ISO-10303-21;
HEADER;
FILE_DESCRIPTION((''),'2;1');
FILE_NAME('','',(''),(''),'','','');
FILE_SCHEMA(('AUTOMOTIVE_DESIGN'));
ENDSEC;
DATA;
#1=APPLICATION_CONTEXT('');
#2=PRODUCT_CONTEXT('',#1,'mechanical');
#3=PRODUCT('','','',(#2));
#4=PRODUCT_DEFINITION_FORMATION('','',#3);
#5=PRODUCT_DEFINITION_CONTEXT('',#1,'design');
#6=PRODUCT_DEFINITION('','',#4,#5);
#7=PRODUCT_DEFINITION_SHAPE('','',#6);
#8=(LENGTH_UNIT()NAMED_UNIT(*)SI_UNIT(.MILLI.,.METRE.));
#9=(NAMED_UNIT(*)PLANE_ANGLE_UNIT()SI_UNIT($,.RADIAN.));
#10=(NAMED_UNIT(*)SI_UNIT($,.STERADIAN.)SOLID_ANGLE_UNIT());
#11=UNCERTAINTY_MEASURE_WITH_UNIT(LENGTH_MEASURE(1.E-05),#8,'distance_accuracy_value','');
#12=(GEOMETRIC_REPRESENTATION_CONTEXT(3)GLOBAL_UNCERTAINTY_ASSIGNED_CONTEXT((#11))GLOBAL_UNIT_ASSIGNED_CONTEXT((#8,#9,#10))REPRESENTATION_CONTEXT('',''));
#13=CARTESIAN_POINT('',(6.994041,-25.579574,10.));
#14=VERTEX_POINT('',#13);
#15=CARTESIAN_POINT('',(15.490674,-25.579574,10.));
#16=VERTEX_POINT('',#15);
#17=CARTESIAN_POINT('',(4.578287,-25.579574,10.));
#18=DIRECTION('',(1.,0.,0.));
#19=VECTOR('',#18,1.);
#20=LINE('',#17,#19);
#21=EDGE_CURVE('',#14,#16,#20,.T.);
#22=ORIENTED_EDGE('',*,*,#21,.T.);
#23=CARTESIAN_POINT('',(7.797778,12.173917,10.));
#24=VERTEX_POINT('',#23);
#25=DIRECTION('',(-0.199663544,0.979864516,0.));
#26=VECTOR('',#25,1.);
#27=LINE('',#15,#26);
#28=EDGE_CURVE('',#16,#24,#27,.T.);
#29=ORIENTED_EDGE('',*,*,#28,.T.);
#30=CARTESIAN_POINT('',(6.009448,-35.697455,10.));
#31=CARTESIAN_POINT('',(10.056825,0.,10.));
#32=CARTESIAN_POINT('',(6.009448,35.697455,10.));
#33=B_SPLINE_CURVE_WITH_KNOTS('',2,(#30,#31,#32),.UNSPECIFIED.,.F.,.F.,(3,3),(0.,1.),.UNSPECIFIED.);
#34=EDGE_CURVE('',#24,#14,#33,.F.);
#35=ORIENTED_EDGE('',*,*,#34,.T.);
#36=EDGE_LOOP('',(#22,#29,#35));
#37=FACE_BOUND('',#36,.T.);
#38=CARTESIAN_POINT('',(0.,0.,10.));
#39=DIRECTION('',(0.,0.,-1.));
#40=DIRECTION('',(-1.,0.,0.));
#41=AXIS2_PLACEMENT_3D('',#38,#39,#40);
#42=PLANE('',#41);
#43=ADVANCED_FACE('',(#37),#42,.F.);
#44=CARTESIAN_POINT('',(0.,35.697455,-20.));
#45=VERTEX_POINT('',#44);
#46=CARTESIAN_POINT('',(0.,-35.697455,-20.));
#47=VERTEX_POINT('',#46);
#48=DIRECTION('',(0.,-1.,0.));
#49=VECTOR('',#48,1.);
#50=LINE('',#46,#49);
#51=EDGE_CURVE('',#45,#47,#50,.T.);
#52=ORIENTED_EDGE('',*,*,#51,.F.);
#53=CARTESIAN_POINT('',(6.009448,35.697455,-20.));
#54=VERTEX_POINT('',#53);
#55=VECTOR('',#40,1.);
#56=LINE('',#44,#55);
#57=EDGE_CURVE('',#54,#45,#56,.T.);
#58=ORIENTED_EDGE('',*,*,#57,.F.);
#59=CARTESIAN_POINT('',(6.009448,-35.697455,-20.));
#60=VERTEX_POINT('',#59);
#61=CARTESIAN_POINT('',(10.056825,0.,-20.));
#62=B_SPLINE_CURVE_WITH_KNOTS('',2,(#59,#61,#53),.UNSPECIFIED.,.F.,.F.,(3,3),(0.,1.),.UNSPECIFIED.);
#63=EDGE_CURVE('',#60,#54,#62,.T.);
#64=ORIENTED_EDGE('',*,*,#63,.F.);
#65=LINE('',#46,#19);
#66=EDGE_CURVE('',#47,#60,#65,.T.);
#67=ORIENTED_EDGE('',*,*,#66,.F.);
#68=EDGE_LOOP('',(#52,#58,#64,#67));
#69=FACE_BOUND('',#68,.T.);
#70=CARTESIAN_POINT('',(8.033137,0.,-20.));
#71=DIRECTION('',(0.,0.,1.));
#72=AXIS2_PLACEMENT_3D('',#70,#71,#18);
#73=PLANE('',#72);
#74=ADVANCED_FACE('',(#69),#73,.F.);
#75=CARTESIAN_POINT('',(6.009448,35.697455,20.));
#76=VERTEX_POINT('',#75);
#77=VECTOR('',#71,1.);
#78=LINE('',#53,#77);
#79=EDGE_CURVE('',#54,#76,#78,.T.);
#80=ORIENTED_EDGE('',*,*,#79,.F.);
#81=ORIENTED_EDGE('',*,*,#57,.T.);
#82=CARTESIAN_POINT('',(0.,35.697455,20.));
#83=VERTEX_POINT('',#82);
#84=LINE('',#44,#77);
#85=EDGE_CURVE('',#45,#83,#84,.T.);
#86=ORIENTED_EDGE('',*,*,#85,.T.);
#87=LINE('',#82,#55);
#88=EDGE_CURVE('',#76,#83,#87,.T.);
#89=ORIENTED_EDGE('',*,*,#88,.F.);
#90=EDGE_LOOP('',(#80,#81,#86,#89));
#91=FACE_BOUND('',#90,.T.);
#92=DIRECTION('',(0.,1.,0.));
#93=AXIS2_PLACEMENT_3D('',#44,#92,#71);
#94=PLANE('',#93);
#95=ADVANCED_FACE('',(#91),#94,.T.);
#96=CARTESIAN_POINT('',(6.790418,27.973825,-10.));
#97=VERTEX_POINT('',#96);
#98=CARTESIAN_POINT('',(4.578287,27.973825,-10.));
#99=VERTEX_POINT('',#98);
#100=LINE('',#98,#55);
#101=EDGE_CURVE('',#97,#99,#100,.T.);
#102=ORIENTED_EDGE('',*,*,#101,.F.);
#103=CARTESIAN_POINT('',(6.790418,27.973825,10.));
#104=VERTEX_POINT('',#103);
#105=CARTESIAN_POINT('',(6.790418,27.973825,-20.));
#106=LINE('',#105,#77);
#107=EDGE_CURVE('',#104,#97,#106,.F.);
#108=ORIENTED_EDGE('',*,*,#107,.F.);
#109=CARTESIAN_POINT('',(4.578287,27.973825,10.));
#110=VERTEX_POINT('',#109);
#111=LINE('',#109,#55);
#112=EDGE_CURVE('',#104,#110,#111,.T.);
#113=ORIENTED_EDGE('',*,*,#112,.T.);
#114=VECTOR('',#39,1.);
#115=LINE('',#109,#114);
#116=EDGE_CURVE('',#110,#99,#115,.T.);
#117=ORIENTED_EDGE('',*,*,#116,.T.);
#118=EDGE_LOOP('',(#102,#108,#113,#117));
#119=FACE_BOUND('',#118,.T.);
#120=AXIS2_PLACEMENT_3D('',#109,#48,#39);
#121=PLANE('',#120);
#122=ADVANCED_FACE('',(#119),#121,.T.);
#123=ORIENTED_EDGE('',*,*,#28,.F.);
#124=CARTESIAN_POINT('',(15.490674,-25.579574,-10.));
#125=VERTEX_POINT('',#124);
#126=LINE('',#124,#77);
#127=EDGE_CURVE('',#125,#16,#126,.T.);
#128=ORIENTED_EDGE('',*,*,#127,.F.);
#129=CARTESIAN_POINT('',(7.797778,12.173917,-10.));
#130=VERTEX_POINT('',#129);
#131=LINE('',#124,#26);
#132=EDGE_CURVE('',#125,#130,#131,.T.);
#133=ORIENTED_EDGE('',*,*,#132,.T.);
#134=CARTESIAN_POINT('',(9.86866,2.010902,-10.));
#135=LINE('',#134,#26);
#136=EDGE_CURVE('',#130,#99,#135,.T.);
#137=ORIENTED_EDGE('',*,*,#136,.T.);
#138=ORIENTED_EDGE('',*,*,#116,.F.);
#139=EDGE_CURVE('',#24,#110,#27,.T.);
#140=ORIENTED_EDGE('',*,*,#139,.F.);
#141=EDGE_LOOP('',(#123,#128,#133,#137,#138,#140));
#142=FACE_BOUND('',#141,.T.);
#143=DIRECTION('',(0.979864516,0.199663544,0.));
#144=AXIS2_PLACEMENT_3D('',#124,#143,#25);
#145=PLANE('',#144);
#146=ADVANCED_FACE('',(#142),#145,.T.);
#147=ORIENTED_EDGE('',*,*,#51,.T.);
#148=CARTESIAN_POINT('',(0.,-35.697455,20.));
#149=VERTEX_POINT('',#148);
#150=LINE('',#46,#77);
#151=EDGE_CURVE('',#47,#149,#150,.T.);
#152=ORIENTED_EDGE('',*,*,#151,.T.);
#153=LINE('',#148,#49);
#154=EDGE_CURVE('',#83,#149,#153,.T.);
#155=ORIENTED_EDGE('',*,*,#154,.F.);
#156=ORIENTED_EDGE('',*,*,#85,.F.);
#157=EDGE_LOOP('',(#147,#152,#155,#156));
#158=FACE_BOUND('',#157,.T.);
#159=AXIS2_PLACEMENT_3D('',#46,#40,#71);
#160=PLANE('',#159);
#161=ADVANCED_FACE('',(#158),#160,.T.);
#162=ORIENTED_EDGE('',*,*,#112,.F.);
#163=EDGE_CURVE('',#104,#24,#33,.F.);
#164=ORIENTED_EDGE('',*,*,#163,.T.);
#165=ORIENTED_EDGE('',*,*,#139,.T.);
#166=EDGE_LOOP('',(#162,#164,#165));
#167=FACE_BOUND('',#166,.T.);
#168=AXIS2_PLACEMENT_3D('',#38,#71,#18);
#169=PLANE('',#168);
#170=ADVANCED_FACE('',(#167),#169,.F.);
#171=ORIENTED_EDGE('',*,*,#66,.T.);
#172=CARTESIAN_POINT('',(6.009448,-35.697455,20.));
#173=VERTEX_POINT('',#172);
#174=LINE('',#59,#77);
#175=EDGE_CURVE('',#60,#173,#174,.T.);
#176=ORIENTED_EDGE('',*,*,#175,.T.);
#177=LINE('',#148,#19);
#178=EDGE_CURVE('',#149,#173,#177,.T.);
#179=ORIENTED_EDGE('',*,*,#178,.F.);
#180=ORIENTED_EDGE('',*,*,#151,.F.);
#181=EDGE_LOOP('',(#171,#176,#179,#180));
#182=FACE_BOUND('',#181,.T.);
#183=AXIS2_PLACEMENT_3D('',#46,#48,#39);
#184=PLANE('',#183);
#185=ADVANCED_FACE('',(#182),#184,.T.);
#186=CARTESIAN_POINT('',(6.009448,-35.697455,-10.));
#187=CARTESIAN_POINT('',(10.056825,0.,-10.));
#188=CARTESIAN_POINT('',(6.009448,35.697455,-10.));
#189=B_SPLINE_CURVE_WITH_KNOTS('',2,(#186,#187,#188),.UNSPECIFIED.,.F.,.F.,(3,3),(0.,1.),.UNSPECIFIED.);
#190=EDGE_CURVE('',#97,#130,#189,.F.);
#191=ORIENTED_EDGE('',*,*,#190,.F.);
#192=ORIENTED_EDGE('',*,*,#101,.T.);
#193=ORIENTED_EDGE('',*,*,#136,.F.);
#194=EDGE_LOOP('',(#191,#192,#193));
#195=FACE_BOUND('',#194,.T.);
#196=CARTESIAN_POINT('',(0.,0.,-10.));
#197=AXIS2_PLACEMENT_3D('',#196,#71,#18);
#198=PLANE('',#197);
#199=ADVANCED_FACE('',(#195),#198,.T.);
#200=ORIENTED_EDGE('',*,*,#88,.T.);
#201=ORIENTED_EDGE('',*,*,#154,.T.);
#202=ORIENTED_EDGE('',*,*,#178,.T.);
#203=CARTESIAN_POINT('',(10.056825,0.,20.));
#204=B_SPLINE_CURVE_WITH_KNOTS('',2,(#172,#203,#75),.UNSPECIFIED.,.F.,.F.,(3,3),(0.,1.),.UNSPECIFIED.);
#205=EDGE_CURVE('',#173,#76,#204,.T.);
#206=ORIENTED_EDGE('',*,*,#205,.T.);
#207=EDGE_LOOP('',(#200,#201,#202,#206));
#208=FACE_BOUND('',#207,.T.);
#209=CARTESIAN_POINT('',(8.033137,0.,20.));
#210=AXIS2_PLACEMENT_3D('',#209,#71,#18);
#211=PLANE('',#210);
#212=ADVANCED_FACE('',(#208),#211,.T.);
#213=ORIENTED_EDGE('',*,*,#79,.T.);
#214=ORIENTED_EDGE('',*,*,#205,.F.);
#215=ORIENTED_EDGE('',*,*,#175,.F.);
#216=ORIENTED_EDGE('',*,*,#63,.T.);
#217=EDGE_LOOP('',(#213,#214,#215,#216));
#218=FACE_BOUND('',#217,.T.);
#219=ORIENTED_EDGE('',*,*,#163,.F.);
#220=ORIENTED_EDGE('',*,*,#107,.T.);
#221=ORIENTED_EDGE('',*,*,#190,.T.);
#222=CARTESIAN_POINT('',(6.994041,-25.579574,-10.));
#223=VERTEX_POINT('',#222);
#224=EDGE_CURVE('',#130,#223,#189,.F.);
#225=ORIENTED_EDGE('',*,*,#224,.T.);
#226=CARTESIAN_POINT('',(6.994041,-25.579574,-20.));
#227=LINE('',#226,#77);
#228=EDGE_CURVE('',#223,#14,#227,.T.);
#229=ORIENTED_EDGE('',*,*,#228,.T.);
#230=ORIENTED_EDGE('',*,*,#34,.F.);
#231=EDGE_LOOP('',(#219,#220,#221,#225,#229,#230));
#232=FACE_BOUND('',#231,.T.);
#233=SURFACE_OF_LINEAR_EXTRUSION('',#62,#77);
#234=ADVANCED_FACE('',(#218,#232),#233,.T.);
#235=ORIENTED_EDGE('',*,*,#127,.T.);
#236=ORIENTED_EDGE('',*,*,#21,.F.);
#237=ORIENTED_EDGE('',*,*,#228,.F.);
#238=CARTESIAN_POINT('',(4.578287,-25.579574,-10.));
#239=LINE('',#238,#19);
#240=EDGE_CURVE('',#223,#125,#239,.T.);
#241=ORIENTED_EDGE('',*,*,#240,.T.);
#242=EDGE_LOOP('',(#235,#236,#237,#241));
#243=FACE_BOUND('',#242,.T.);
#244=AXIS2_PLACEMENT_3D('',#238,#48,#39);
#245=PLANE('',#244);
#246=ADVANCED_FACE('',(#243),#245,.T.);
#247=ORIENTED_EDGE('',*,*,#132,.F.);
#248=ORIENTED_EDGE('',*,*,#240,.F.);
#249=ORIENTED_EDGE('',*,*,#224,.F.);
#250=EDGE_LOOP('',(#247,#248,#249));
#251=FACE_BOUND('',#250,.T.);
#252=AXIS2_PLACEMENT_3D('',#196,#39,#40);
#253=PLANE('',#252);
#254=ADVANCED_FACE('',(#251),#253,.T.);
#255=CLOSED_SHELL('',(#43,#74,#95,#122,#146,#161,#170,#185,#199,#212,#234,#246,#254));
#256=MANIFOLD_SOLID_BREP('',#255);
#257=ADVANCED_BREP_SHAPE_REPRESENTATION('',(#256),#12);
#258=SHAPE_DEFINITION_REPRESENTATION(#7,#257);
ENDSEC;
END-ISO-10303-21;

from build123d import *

# Parameters (mm, degrees)
BOSS_EXTRUDE1_DEPTH      = 20
BOSS_EXTRUDE1_DEPTH_BACK = 20
CUT_EXTRUDE1_DEPTH       = 10
CUT_EXTRUDE1_DEPTH_BACK  = 10
SKETCH4_W                = 10.912387574
SKETCH4_H                = 53.553398504
BOSS_EXTRUDE2_DEPTH      = 10
BOSS_EXTRUDE2_DEPTH_BACK = 10


with BuildPart() as part:
    # Sketch2 → Boss-Extrude1 (new, two sides: drawn at the far end of the back side and taken through both)
    with BuildSketch(Plane.XY.offset(-BOSS_EXTRUDE1_DEPTH_BACK)):
        with BuildLine():
            Line((0, -35.697454944), (0, 35.697454944))
            Line((0, 35.697454944), (6.009448328, 35.697454944))
            add(Edge.make_bspline(
                [(6.009448328, 35.697454944), (10.056825281, 0), (6.009448328, -35.697454944)],
                knots=[0, 0, 0, 1, 1, 1], degree=2))
            Line((6.009448328, -35.697454944), (0, -35.697454944))
        make_face()
    extrude(amount=BOSS_EXTRUDE1_DEPTH + BOSS_EXTRUDE1_DEPTH_BACK)

    # Sketch4 → Cut-Extrude1 (cut, two sides: drawn at the far end of the back side and taken through both)
    with BuildSketch(Plane.XY.offset(-CUT_EXTRUDE1_DEPTH_BACK)):
        with Locations((10.034480552, 1.197125595)):
            Rectangle(SKETCH4_W, SKETCH4_H)
    extrude(amount=CUT_EXTRUDE1_DEPTH + CUT_EXTRUDE1_DEPTH_BACK, mode=Mode.SUBTRACT)

    # Sketch3 → Boss-Extrude2 (add, two sides: drawn at the far end of the back side and taken through both)
    with BuildSketch(Plane.XY.offset(-BOSS_EXTRUDE2_DEPTH_BACK)):
        Polygon((4.578286765, 27.973824847), (4.578286765, -25.579573657), (15.490674339, -25.579573657), align=None)
    extrude(amount=BOSS_EXTRUDE2_DEPTH + BOSS_EXTRUDE2_DEPTH_BACK)


solid = part.part
